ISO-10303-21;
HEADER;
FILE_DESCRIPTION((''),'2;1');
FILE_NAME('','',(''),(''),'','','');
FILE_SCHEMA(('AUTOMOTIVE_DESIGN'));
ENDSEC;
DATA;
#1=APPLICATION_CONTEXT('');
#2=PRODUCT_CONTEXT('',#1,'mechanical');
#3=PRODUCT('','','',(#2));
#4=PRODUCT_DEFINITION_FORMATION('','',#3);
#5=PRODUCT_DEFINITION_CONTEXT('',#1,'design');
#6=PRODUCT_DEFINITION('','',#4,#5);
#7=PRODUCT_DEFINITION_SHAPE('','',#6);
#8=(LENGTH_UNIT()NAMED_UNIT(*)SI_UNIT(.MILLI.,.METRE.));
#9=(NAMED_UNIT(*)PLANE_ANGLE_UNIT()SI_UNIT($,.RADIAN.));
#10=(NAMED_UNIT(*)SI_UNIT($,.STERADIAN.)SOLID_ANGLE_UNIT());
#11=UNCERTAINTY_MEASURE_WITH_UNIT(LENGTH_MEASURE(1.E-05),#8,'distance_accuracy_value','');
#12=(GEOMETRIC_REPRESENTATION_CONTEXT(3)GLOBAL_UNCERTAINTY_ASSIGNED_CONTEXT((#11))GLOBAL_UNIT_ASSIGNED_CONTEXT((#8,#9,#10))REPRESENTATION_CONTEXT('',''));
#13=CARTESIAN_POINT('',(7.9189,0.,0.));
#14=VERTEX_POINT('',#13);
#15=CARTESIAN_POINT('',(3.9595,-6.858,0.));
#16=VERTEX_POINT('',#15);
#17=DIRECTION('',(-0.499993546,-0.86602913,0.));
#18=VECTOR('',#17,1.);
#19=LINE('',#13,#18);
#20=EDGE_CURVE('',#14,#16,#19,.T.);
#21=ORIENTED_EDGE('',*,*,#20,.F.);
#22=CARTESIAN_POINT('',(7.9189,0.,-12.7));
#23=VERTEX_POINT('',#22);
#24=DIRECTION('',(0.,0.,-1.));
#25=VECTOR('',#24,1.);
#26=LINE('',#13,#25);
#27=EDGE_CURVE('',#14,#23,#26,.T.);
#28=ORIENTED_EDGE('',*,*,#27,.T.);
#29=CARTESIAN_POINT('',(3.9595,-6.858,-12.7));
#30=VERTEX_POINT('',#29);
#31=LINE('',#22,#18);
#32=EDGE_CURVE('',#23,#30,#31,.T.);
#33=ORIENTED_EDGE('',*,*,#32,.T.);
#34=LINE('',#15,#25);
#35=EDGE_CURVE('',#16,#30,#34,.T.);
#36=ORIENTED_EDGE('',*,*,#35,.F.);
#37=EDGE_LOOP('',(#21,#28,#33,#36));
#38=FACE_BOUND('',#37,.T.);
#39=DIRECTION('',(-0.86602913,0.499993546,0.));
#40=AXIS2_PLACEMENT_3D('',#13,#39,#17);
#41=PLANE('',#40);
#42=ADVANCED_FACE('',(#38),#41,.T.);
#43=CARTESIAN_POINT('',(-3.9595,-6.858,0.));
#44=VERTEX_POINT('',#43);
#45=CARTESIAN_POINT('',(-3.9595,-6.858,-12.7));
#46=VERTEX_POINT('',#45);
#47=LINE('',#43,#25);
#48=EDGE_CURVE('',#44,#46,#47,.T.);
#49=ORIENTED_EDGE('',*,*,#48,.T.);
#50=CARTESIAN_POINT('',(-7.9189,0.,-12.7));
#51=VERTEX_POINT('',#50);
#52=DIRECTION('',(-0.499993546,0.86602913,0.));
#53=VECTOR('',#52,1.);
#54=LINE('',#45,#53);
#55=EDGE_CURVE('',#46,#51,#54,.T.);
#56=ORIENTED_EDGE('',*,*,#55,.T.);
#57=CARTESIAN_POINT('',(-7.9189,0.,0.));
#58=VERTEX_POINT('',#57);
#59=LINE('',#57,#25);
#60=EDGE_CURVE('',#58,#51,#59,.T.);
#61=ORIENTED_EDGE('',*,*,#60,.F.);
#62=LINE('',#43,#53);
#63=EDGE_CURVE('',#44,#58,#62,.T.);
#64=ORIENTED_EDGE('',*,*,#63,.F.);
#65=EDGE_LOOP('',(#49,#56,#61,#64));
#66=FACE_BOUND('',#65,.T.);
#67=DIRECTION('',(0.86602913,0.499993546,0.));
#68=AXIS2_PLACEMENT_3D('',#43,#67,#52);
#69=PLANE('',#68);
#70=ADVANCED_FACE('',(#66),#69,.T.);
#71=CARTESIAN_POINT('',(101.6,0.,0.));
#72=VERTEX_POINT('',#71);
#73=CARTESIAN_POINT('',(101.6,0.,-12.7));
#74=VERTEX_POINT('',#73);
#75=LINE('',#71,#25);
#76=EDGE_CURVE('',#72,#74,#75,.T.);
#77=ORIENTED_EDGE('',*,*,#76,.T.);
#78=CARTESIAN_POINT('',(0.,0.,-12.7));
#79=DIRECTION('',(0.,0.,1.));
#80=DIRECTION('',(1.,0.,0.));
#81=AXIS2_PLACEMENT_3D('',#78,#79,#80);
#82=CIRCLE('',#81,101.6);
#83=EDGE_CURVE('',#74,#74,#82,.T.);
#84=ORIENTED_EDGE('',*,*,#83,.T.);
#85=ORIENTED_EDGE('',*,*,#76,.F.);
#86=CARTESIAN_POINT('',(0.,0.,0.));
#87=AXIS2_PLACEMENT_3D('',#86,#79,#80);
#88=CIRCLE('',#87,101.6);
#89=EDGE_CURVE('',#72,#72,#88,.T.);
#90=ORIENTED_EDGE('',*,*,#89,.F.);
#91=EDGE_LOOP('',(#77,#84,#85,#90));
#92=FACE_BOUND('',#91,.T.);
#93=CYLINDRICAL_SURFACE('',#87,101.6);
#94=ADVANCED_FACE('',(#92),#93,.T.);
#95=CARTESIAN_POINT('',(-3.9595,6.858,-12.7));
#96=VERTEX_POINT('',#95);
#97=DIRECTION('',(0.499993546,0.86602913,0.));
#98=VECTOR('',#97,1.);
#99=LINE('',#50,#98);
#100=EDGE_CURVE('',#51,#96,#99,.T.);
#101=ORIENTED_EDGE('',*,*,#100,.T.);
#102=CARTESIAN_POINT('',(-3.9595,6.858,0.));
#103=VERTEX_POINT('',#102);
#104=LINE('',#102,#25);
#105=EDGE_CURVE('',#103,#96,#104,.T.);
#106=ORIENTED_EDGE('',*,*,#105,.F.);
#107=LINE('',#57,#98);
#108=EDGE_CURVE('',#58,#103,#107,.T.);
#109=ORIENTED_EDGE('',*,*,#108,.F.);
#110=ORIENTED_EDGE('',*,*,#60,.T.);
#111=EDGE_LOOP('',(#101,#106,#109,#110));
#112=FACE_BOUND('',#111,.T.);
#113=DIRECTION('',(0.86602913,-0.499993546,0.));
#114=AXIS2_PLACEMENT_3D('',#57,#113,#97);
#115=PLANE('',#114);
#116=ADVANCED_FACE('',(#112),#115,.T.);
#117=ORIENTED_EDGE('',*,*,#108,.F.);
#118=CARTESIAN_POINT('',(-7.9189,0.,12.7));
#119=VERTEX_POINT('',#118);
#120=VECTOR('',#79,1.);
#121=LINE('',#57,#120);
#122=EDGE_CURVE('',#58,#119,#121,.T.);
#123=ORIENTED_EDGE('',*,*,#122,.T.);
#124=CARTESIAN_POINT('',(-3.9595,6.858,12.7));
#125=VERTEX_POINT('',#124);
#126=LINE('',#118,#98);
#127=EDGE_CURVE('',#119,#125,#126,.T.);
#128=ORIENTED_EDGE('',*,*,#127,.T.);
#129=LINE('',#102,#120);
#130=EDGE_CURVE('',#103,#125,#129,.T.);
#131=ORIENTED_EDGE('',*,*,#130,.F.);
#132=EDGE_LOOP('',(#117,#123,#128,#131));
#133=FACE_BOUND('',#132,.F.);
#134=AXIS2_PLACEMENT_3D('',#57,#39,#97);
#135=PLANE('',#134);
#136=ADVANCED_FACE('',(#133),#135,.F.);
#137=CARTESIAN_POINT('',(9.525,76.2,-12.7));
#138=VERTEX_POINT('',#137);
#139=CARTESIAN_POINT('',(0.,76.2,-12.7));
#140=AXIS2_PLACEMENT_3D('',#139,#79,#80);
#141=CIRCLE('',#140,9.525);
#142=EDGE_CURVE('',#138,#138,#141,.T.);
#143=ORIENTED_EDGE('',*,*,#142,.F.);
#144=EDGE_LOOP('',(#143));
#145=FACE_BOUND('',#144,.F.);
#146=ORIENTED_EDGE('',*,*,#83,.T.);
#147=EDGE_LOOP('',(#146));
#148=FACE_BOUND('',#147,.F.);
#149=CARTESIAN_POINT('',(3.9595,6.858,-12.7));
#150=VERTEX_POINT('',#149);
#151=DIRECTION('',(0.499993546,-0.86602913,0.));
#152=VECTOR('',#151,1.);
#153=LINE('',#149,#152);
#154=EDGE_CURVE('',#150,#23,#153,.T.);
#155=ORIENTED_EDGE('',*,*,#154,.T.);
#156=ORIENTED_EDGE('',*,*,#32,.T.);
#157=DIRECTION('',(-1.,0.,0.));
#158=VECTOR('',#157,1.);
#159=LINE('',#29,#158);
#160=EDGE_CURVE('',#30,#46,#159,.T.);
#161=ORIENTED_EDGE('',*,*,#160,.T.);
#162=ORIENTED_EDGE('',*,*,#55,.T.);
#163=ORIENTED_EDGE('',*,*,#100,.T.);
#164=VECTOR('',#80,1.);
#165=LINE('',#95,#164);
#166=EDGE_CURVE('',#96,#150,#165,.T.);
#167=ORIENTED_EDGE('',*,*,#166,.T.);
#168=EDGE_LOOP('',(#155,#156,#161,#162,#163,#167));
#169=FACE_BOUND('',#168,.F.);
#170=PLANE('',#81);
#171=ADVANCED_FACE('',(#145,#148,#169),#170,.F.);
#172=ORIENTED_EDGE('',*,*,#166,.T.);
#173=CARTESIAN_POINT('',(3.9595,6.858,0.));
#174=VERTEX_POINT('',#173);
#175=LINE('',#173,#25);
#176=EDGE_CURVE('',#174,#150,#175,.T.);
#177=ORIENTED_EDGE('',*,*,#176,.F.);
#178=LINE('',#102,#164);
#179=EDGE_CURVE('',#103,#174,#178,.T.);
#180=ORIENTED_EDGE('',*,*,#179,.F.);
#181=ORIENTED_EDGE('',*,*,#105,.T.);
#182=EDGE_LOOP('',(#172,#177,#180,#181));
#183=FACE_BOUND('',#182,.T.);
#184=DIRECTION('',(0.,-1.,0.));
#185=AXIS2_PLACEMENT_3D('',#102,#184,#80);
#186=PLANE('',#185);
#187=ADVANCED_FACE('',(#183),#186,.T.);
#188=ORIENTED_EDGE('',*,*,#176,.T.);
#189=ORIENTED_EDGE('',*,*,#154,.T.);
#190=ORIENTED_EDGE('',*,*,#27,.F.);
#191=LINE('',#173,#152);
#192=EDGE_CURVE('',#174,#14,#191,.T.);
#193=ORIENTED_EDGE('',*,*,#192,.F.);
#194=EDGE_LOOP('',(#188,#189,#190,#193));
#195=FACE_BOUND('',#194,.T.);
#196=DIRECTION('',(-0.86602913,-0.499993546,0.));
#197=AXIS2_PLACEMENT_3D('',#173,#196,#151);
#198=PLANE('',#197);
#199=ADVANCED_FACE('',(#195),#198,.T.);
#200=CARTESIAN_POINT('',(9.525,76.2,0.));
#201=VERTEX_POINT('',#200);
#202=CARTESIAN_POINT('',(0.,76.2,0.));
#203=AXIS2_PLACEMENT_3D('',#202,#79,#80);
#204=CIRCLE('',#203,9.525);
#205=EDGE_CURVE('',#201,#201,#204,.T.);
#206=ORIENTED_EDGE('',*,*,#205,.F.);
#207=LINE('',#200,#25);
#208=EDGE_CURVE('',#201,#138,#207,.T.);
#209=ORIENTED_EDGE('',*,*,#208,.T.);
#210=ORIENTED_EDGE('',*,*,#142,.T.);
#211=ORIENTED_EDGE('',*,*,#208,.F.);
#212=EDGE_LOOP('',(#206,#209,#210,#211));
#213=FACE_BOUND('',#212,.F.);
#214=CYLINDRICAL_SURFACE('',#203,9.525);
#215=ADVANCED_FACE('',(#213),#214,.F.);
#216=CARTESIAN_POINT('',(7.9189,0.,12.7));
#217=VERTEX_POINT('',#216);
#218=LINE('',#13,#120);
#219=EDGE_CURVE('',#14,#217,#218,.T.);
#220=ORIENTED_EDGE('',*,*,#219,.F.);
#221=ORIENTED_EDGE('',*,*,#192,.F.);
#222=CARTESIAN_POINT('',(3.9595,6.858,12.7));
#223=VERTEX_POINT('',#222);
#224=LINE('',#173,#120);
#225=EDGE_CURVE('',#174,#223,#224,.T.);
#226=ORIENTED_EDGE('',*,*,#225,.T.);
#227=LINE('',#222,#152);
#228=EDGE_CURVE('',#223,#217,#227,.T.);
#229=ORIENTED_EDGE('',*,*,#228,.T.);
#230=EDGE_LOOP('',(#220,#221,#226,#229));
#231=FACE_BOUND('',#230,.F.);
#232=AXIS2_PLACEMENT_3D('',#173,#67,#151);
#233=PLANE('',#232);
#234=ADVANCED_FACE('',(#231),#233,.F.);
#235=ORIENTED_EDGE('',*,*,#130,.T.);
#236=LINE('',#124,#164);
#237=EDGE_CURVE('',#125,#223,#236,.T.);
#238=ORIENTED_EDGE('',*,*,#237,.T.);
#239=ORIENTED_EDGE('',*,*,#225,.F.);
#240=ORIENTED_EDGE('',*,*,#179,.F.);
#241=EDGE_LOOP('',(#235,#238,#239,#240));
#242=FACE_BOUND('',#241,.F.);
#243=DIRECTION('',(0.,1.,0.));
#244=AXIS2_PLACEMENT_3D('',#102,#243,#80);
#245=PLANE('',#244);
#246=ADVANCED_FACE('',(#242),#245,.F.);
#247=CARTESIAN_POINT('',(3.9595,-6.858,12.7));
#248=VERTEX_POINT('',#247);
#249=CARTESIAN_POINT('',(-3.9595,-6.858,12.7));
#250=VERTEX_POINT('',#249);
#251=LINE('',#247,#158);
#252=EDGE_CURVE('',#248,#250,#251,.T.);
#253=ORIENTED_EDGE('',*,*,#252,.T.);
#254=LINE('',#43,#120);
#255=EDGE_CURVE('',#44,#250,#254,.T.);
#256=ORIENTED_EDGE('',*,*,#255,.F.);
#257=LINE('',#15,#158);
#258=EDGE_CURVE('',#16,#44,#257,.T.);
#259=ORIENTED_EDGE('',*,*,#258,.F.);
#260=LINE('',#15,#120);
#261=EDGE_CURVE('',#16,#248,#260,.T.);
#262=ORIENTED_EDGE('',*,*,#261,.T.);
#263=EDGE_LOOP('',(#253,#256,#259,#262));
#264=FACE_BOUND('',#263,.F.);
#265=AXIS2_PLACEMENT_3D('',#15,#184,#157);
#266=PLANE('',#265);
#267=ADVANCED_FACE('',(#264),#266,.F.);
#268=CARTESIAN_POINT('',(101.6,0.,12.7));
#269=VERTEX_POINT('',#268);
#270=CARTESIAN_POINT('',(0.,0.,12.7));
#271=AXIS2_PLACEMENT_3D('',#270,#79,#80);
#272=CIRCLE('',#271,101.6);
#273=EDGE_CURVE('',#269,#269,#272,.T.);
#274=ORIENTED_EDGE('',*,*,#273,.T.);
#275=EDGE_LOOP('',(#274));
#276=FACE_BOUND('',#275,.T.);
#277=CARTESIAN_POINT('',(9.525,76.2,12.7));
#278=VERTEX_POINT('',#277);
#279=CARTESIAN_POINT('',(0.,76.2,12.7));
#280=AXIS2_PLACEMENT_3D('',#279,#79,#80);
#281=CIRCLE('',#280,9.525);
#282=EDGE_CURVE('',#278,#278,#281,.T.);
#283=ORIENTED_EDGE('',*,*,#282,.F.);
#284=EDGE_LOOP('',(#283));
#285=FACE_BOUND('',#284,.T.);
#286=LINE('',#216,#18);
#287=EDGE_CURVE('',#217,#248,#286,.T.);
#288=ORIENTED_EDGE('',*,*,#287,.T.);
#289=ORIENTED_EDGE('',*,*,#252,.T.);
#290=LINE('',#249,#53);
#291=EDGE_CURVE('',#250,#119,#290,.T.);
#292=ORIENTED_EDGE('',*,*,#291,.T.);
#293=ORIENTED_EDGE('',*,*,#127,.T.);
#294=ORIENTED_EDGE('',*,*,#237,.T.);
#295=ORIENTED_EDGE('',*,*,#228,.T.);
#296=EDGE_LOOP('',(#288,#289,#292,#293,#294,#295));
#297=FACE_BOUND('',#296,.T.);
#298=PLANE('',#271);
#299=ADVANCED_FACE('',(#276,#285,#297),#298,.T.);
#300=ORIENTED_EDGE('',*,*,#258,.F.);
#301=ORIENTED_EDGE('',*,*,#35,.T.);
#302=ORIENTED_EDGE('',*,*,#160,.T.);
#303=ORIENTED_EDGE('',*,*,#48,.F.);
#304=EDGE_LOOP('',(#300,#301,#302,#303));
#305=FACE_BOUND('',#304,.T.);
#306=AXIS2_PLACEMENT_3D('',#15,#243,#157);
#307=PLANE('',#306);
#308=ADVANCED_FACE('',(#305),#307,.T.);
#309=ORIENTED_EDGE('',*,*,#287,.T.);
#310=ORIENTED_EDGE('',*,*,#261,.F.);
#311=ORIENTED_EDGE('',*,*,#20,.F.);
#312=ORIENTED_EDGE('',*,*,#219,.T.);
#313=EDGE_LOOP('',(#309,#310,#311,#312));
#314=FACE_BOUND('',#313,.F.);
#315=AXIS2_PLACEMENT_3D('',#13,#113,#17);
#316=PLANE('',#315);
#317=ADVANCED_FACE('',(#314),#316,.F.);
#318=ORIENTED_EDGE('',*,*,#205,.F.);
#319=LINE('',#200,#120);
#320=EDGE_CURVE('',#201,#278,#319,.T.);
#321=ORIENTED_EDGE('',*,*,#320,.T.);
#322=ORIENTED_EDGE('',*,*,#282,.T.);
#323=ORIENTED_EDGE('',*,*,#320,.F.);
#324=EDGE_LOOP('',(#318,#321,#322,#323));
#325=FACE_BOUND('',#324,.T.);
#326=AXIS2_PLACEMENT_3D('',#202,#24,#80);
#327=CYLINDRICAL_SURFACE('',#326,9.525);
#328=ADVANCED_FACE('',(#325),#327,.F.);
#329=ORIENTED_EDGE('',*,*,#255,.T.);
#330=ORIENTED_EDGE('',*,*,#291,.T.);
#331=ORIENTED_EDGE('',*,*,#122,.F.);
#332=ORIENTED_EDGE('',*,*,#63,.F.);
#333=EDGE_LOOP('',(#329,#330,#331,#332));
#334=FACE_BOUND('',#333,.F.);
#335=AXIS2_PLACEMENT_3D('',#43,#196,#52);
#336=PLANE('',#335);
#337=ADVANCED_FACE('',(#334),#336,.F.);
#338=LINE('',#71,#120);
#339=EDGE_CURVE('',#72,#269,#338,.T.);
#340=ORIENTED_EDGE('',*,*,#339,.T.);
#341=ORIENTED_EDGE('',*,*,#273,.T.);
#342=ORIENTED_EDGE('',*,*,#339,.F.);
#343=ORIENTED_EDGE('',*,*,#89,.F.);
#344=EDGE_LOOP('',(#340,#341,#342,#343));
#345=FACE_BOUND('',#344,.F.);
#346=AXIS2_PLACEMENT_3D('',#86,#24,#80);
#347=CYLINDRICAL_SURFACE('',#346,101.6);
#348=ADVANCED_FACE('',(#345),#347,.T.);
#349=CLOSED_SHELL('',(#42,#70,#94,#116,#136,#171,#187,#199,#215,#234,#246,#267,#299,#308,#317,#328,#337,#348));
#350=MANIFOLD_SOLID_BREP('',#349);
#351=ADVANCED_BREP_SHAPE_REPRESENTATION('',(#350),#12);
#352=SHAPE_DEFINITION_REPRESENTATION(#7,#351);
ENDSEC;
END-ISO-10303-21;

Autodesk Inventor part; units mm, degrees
ref_plane "YZ Plane" through (0, 0, 0) normal (1, 0, 0) x (0, 1, 0)
ref_plane "XZ Plane" through (0, 0, 0) normal (0, 1, 0) x (-1, 0, 0)
ref_plane "XY Plane" through (0, 0, 0) normal (0, 0, 1) x (1, 0, 0)
sketch "Sketch1" plane through (0, 0, 0) normal (0, 0, 1) x (1, 0, 0)
  circle A0 centre (0, 0) radius 101.6
  line L0 (7.9189, 0) -> (3.9595, -6.858)
  line L1 (3.9595, -6.858) -> (-3.9595, -6.858)
  line L2 (-3.9595, -6.858) -> (-7.9189, 0)
  line L3 (-7.9189, 0) -> (-3.9595, 6.858)
  line L4 (-3.9595, 6.858) -> (3.9595, 6.858)
  line L5 (3.9595, 6.858) -> (7.9189, 0)
  circle A1 centre (0, 76.2) radius 9.525
  dimension "d0" = 203.2
  dimension "d1" = 13.716
  dimension "d2" = 19.05
  dimension "d5" = 76.2
extrude "Extrusion1" add sketch "Sketch1" along normal mid plane 25.4
ref_plane "Work Plane2" through (0, 0, 12.7) normal (0, 0, 1) x (1, 0, 0)
properties part number "camWheel"
